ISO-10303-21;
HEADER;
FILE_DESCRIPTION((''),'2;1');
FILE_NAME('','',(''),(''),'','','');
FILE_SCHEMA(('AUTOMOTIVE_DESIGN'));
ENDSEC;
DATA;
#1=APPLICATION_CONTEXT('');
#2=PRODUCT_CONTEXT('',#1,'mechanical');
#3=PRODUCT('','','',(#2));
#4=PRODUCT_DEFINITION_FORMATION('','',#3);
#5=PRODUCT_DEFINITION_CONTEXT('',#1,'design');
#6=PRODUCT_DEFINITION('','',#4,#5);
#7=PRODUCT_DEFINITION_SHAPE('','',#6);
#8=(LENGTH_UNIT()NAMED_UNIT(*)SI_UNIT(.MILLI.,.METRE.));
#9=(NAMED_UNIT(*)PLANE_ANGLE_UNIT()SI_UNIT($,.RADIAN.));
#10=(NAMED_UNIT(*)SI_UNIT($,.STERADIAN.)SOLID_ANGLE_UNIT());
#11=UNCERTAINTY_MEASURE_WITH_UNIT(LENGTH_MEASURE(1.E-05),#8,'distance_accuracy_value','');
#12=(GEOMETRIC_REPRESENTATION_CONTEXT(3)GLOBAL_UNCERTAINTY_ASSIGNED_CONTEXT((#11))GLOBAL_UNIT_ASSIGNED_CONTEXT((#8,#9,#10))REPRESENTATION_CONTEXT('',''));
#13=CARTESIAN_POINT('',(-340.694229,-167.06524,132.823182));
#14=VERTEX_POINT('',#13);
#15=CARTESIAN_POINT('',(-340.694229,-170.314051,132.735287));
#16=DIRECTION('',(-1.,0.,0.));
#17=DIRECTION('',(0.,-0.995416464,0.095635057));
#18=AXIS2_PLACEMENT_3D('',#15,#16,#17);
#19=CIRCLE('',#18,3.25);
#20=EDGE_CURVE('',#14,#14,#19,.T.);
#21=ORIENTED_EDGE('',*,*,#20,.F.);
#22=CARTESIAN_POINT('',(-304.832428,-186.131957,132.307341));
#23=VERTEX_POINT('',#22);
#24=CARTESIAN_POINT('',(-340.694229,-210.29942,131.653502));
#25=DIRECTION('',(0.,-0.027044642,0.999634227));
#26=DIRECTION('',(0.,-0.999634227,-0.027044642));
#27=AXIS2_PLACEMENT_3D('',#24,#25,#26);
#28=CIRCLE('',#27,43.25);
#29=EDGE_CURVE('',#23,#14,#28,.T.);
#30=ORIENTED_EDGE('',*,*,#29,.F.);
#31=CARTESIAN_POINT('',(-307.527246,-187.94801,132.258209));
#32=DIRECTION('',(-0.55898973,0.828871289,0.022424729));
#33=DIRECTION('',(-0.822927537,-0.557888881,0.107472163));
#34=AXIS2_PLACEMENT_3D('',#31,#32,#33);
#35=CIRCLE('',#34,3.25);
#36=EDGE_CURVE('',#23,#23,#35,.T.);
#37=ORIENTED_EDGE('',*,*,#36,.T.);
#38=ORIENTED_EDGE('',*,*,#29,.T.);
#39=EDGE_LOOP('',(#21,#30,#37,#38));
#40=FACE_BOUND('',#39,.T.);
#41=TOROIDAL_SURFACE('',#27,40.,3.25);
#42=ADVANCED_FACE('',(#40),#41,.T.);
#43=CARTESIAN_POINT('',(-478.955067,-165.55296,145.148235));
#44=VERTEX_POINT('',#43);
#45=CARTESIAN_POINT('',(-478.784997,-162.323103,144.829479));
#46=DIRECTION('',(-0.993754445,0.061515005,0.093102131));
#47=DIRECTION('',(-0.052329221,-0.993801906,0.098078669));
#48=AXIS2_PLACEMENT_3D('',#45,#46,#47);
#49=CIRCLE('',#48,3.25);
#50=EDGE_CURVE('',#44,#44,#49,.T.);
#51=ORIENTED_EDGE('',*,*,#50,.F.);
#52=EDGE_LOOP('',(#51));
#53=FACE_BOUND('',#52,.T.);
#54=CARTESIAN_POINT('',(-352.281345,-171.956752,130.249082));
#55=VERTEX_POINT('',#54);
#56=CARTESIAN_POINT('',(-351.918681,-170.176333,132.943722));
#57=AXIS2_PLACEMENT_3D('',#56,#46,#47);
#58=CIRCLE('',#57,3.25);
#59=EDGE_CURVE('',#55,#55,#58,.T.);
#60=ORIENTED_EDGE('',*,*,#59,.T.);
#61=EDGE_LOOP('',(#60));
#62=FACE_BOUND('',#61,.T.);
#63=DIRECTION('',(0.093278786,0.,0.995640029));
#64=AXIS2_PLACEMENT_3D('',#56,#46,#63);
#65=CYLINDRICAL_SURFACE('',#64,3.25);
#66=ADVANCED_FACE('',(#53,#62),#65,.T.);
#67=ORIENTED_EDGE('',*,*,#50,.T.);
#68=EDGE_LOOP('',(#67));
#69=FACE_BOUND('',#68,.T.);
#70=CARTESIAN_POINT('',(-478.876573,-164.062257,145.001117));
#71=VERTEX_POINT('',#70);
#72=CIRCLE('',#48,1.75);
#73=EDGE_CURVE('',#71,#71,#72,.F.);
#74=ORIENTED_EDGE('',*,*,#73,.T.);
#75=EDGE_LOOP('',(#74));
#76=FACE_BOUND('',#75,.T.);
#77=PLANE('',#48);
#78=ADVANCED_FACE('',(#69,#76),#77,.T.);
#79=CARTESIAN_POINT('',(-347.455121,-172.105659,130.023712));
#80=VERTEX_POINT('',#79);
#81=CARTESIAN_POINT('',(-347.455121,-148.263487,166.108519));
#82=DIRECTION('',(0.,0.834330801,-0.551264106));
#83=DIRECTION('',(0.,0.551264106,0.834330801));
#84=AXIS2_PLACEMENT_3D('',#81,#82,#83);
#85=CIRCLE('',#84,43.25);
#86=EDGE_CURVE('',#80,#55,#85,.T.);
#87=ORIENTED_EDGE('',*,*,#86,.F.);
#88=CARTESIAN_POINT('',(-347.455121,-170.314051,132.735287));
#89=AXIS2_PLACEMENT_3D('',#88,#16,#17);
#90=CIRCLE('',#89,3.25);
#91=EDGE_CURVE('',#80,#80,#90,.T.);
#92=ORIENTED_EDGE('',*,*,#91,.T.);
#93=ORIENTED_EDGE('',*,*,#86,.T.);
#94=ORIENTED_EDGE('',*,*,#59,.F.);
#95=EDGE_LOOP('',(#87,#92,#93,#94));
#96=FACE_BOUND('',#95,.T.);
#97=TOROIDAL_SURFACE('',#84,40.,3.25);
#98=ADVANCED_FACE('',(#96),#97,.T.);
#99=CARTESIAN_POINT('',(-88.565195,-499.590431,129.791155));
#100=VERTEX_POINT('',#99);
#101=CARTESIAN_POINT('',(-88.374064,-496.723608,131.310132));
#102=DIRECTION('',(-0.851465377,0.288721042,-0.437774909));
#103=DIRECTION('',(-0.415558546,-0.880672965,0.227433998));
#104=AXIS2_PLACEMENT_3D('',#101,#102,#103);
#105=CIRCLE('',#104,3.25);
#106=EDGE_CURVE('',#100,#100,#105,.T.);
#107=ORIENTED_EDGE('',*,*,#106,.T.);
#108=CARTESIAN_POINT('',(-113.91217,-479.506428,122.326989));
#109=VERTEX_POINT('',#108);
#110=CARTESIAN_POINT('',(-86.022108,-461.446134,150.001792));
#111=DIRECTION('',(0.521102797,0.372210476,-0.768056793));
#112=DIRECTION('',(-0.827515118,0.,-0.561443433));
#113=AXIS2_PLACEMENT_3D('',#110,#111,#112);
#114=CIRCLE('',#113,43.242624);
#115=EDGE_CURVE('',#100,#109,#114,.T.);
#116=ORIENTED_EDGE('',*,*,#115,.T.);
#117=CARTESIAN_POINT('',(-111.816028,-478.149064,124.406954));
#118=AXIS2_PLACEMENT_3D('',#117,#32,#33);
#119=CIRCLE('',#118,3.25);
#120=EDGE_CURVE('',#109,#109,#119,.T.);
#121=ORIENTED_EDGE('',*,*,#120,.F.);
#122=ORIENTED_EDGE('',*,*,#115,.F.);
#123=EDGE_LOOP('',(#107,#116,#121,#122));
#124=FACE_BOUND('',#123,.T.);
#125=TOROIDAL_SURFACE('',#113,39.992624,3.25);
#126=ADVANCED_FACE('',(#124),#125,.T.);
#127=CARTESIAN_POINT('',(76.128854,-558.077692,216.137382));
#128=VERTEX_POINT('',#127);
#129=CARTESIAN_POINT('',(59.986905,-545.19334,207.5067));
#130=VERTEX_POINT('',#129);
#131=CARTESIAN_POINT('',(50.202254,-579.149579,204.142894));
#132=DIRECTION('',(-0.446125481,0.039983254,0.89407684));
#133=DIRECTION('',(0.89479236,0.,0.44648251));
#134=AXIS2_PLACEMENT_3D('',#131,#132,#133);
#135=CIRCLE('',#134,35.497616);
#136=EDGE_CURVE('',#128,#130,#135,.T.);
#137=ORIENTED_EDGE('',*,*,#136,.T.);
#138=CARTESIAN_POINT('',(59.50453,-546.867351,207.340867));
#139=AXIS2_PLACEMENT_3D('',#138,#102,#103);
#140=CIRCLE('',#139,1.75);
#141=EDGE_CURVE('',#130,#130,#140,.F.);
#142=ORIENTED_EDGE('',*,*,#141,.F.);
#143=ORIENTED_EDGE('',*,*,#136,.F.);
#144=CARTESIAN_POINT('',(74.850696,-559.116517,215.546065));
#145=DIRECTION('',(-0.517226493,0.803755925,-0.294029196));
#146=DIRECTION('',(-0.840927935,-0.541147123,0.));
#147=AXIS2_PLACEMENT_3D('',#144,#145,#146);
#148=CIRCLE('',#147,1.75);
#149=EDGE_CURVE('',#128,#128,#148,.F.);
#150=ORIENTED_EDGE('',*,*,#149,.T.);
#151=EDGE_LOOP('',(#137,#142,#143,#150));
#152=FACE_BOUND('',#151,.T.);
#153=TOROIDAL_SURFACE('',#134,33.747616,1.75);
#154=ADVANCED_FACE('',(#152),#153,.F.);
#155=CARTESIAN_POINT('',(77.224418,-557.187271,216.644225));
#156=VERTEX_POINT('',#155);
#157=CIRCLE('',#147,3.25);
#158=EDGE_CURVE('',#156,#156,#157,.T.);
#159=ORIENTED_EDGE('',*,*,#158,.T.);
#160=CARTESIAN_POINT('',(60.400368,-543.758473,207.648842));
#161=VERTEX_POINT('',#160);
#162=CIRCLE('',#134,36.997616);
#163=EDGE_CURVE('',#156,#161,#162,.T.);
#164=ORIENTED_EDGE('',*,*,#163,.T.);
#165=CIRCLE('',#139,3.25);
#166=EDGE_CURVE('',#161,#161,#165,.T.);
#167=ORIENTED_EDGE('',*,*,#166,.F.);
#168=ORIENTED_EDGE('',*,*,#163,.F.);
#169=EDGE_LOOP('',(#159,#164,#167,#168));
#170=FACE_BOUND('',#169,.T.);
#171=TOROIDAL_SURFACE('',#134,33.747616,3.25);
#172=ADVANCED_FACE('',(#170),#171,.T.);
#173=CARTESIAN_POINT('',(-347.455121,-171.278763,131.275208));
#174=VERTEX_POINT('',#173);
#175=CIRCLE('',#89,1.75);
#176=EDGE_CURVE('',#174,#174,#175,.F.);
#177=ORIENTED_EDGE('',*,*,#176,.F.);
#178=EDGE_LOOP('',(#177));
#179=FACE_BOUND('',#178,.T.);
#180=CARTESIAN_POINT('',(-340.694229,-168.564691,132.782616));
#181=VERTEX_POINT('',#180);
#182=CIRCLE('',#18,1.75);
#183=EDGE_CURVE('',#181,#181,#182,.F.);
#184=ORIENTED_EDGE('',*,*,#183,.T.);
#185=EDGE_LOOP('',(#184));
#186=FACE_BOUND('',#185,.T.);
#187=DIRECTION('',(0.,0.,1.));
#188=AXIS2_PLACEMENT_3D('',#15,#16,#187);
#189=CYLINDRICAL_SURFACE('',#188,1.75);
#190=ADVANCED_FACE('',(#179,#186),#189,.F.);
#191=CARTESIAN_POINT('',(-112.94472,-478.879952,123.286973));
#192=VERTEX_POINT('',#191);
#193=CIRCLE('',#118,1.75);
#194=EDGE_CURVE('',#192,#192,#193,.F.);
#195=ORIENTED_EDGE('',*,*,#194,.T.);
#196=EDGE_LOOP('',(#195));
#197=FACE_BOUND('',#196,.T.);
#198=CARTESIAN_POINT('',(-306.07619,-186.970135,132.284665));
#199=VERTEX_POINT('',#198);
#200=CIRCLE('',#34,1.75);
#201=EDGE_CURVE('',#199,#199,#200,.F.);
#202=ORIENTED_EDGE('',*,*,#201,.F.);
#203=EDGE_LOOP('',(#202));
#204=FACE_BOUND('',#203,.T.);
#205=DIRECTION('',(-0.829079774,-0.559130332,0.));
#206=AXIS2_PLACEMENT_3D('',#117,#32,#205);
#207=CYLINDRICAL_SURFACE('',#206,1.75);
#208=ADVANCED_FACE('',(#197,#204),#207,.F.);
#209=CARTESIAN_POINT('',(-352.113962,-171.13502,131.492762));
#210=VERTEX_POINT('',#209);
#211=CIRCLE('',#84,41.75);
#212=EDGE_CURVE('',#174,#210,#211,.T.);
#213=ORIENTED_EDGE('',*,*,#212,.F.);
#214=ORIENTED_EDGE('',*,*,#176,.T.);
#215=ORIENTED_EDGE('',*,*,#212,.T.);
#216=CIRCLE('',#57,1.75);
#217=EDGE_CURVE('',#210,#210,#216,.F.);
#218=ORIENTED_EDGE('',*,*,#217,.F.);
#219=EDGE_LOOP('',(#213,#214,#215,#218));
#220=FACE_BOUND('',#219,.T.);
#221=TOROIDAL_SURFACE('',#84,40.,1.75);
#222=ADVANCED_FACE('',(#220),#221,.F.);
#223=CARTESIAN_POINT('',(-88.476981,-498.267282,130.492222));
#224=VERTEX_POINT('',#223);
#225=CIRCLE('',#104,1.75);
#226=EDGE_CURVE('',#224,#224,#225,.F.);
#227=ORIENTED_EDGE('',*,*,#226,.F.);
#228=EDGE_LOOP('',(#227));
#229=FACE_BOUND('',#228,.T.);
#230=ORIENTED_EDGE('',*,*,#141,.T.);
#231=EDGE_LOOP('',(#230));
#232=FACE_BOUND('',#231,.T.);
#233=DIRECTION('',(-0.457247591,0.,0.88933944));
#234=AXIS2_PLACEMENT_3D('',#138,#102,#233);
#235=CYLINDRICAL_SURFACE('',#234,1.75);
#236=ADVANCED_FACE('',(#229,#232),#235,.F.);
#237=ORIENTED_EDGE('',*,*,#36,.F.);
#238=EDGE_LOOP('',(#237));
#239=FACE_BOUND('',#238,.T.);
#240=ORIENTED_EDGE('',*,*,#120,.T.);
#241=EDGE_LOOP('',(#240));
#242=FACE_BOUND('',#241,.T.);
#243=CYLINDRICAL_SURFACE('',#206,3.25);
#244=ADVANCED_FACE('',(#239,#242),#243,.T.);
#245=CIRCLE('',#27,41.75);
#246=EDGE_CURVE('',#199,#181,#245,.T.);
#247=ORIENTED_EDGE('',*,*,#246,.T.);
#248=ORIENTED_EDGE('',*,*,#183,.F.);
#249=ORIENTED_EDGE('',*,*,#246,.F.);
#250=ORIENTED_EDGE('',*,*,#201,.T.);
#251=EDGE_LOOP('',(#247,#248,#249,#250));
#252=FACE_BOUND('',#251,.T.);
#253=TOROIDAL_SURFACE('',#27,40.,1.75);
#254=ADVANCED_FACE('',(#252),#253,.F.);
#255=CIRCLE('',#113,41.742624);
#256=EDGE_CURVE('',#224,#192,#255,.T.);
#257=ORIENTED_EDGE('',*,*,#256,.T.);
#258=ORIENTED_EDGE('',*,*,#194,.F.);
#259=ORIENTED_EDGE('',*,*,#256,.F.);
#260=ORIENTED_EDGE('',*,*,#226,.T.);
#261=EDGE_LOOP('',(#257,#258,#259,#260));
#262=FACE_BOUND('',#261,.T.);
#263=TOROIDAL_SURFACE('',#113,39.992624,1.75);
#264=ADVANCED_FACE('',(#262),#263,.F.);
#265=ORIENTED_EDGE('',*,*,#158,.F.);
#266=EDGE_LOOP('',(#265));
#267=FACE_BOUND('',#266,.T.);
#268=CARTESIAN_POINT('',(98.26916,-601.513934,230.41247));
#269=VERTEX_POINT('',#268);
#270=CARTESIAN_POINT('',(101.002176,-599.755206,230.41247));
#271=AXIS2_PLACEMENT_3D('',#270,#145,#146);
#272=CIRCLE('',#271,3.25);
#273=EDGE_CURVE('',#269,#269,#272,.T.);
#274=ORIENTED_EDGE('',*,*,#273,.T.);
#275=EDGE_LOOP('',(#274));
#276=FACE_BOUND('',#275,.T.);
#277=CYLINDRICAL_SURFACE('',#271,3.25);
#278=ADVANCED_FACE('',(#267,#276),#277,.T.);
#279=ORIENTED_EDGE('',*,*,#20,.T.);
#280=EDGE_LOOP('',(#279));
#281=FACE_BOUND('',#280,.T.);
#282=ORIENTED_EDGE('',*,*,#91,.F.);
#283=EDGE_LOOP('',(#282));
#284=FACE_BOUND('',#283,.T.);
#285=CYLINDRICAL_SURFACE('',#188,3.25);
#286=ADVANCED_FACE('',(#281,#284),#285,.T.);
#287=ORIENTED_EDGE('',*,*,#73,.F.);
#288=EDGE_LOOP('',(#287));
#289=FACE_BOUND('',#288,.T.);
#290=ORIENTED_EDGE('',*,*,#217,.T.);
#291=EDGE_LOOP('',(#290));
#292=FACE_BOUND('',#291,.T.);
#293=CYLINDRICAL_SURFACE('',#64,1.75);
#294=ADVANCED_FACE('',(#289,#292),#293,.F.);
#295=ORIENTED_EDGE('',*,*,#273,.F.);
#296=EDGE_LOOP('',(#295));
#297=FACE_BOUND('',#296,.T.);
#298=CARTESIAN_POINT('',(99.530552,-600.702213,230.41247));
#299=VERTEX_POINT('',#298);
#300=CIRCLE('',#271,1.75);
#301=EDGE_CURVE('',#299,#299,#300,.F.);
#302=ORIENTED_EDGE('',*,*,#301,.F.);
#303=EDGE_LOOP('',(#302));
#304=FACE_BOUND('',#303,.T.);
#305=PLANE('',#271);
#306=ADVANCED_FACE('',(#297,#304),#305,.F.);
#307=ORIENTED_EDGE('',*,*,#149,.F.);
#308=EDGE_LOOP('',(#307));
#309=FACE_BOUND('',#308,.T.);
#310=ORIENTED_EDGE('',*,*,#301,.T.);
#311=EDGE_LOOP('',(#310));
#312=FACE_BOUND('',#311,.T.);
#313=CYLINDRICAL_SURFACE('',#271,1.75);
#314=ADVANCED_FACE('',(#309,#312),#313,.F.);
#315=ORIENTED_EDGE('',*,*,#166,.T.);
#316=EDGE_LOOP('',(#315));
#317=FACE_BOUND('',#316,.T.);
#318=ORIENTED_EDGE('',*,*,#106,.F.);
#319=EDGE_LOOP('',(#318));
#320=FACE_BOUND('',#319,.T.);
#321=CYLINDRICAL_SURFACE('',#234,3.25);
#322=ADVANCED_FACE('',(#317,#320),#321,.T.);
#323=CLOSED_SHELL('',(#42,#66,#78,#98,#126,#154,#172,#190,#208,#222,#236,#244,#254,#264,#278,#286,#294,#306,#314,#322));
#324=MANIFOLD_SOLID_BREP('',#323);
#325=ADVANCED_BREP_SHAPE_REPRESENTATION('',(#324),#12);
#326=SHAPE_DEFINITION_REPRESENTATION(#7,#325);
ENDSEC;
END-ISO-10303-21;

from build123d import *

# Parameters (mm, degrees)
SZKIC1_R   = 3.25
SZKIC1_R_2 = 1.75


with BuildPart() as part:
    # Wyciągnięcie po ścieżce4: sweep along a curve in space
    with BuildLine() as wyci_gni_cie_po_cie_ce4_path:
        Line((101.002175739, -599.755205595, 230.41246958), (74.850696308, -559.116516703, 215.546064653))
        ThreePointArc((59.504530347, -546.867351488, 207.340867047), (68.089990081, -551.58603587, 211.835850617), (74.850696308, -559.116516703, 215.546064653))
        Line((-88.374063747, -496.723607563, 131.310132464), (59.504530347, -546.867351488, 207.340867047))
        ThreePointArc((-111.816027792, -478.149064418, 124.40695353), (-101.261916385, -489.591337463, 126.022515141), (-88.374063747, -496.723607563, 131.310132464))
        Line((-307.527245601, -187.948009553, 132.258208808), (-111.816027792, -478.149064418, 124.40695353))
        ThreePointArc((-307.527245601, -187.948009553, 132.258208808), (-321.911039025, -174.996735159, 132.608599545), (-340.694228743, -170.314051144, 132.735287394))
        Line((-340.694228743, -170.314051144, 132.735287394), (-347.455121341, -170.314051144, 132.735287394))
        ThreePointArc((-347.455121341, -170.314051144, 132.735287394), (-349.69039399, -170.279594721, 132.787436726), (-351.918680923, -170.176333137, 132.943721743))
        Line((-351.918680923, -170.176333137, 132.943721743), (-478.784997122, -162.32310334, 144.829479287))
    # Szkic1 → Wyciągnięcie po ścieżce4 (sweep)
    with BuildSketch(Plane(origin=(101.002175739, -599.755205595, 230.41246958), x_dir=(0.8533828719682364, 0.5104047203493964, -0.10594666241226798), z_dir=(-0.5172264929682565, 0.8037559247680768, -0.29402919646180037))):
        Circle(SZKIC1_R)
        Circle(SZKIC1_R_2, mode=Mode.SUBTRACT)
    sweep(path=wyci_gni_cie_po_cie_ce4_path.line)


solid = part.part
